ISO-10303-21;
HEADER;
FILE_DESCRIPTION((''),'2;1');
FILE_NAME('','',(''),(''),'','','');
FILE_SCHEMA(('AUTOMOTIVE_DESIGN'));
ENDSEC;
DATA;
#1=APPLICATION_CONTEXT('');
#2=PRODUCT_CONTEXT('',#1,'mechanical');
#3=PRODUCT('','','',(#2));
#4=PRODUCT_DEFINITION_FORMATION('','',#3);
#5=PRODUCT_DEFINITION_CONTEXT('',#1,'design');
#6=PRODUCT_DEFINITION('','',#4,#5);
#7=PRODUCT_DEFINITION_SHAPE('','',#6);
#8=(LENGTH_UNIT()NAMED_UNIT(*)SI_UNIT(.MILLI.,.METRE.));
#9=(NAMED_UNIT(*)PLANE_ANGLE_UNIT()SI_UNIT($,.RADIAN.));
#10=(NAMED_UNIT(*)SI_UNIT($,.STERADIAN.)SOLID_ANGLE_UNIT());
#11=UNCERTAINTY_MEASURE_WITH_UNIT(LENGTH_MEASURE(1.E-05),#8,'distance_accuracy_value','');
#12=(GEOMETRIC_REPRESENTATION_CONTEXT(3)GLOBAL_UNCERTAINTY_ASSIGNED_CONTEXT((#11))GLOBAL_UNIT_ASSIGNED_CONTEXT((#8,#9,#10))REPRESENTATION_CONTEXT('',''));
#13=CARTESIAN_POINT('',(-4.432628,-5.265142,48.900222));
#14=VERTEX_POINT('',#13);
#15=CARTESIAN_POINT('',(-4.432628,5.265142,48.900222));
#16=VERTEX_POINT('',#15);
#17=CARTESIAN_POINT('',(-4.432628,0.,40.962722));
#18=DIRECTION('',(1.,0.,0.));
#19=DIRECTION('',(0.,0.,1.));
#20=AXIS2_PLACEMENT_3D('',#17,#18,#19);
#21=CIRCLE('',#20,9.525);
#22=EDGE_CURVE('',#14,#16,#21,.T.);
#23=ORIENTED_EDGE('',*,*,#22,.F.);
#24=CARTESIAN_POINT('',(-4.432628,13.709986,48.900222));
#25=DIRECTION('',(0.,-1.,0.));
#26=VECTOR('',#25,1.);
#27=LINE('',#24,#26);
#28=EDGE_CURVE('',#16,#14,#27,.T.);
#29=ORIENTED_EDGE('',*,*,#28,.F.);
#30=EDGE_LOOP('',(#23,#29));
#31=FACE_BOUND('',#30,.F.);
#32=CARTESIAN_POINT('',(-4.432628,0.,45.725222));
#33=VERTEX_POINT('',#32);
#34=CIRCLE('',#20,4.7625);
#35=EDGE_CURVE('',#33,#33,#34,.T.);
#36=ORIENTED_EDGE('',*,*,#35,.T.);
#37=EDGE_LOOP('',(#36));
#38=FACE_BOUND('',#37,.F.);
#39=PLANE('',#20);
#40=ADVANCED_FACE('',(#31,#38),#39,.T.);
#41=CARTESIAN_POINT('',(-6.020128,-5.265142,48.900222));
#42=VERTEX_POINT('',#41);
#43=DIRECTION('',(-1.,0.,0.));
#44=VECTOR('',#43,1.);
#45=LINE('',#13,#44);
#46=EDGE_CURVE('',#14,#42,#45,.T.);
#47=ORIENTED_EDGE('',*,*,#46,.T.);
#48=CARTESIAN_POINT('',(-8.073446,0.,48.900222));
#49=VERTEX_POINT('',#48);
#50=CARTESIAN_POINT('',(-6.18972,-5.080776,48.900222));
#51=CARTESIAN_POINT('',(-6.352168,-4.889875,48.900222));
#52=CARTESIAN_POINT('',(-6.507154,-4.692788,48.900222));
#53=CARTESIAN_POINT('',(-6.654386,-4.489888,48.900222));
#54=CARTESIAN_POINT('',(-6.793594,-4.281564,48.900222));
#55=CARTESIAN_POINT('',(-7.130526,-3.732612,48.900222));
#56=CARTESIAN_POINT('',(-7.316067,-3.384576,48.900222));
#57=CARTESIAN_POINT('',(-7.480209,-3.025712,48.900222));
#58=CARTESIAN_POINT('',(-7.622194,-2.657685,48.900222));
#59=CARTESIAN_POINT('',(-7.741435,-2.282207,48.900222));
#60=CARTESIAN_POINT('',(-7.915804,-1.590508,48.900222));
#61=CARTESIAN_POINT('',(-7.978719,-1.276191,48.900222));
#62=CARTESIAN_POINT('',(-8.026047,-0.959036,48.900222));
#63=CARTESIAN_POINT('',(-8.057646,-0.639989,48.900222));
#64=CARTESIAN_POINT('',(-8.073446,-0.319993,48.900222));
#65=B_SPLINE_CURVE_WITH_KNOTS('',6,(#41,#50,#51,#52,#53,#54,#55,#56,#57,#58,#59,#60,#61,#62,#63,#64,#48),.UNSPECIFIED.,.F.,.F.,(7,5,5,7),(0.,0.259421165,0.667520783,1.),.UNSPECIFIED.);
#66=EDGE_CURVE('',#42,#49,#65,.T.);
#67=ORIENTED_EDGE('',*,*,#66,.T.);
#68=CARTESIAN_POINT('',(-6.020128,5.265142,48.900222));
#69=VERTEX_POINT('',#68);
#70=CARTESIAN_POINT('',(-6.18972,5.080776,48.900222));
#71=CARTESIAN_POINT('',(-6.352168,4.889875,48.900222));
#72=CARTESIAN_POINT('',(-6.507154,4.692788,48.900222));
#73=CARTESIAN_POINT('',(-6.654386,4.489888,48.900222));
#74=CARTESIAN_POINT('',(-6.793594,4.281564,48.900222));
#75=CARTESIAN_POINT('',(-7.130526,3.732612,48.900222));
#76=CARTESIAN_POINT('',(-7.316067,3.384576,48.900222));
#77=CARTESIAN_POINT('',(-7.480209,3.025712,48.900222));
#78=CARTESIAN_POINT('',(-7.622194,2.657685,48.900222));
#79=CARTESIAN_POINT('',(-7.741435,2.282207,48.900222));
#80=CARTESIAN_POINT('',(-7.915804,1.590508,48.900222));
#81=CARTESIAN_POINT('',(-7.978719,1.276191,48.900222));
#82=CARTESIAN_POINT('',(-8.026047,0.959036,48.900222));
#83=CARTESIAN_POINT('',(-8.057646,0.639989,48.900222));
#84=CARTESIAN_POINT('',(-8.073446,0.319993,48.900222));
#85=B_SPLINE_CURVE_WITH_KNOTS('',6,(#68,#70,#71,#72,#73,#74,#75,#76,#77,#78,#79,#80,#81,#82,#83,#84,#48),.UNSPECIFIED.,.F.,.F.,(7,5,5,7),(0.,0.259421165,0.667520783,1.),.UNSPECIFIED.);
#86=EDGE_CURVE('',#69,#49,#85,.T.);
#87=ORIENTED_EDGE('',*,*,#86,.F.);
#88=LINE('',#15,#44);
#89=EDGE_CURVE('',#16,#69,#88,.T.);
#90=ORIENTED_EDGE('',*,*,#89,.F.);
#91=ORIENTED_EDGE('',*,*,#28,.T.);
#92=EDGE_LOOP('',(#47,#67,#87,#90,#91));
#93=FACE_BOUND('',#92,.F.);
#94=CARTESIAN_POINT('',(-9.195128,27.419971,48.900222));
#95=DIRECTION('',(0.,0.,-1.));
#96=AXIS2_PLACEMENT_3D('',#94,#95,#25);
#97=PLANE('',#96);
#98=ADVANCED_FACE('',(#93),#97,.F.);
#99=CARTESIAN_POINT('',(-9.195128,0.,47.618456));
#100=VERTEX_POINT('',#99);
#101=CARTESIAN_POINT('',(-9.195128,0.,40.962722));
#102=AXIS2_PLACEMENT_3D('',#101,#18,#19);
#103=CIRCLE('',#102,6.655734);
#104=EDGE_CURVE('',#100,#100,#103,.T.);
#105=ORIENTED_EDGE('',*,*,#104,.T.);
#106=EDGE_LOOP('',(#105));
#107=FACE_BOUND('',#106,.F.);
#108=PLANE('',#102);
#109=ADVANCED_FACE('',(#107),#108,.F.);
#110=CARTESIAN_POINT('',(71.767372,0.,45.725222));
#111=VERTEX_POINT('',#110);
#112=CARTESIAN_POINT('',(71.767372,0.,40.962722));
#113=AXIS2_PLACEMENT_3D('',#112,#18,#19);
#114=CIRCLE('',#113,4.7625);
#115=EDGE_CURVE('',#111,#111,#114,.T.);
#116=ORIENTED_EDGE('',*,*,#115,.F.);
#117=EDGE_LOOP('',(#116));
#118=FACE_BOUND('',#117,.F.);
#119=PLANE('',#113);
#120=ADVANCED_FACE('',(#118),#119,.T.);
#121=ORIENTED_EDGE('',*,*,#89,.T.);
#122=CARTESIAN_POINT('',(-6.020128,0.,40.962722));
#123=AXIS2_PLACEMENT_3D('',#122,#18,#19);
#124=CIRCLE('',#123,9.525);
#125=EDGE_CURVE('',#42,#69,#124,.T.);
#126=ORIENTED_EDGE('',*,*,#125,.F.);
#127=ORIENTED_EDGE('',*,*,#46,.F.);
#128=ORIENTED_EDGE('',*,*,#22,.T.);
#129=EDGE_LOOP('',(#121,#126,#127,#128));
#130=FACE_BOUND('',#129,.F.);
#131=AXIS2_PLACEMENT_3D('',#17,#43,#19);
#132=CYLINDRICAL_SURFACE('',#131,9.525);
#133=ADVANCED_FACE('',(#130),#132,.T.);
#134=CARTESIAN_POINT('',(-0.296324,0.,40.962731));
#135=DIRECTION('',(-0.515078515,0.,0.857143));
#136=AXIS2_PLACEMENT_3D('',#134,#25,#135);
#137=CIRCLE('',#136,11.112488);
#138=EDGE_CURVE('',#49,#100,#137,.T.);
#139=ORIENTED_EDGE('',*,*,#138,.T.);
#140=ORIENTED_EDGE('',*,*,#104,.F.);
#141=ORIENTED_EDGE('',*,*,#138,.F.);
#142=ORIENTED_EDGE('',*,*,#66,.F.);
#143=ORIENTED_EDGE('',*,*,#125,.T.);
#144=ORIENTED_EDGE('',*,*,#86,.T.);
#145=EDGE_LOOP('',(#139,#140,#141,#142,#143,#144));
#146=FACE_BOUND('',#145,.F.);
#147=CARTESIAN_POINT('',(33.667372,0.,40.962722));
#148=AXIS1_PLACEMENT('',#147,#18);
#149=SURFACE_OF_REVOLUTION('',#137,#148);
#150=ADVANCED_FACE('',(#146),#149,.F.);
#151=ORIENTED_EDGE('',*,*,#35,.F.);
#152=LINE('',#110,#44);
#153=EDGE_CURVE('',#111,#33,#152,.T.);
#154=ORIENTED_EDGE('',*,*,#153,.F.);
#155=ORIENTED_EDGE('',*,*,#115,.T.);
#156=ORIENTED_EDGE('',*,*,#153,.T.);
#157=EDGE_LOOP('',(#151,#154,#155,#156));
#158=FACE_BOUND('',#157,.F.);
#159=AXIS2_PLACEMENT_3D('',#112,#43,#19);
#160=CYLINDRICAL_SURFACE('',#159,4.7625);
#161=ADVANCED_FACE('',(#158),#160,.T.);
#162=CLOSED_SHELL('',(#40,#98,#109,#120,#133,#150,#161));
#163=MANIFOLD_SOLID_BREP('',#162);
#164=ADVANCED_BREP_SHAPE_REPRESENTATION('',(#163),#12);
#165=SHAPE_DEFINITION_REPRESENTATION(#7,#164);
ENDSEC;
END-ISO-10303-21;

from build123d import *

# Parameters (mm, degrees)
F3_DEPTH = 25.4


with BuildPart() as f1:
    # F0 (on Front) → F1 (revolve)
    with BuildSketch(Plane.XZ):
        with BuildLine():
            Line((-4.432628, 50.487722), (-6.020128, 50.487722))
            ThreePointArc((-6.020128, 50.487722), (-7.747052, 49.207368), (-9.195128, 47.618456))
            Line((-9.195128, 47.618456), (-9.195128, 40.962722))
            Line((-9.195128, 40.962722), (-6.020128, 40.962722))
            Line((-6.020128, 40.962722), (-4.432628, 40.962722))
            Line((-4.432628, 40.962722), (71.767372, 40.962722))
            Line((71.767372, 40.962722), (71.767372, 45.725222))
            Line((71.767372, 45.725222), (-4.432628, 45.725222))
            Line((-4.432628, 45.725222), (-4.432628, 50.487722))
        make_face()
    revolve(axis=Axis((33.667372, 0, 40.962722), (1, 0, 0)))

    # F2 (on face) → F3 (cut)
    with BuildSketch(Plane(origin=(-9.195128, 0, 0), x_dir=(0, -1, 0), z_dir=(-1, 0, 0))):
        Polygon((-27.419971, 48.900222), (0, 48.900222), (19.307924, 48.900222), (19.307924, 53.725179), (-27.419971, 53.725179), align=None)
    extrude(amount=-F3_DEPTH, mode=Mode.SUBTRACT)


solid = f1.part
